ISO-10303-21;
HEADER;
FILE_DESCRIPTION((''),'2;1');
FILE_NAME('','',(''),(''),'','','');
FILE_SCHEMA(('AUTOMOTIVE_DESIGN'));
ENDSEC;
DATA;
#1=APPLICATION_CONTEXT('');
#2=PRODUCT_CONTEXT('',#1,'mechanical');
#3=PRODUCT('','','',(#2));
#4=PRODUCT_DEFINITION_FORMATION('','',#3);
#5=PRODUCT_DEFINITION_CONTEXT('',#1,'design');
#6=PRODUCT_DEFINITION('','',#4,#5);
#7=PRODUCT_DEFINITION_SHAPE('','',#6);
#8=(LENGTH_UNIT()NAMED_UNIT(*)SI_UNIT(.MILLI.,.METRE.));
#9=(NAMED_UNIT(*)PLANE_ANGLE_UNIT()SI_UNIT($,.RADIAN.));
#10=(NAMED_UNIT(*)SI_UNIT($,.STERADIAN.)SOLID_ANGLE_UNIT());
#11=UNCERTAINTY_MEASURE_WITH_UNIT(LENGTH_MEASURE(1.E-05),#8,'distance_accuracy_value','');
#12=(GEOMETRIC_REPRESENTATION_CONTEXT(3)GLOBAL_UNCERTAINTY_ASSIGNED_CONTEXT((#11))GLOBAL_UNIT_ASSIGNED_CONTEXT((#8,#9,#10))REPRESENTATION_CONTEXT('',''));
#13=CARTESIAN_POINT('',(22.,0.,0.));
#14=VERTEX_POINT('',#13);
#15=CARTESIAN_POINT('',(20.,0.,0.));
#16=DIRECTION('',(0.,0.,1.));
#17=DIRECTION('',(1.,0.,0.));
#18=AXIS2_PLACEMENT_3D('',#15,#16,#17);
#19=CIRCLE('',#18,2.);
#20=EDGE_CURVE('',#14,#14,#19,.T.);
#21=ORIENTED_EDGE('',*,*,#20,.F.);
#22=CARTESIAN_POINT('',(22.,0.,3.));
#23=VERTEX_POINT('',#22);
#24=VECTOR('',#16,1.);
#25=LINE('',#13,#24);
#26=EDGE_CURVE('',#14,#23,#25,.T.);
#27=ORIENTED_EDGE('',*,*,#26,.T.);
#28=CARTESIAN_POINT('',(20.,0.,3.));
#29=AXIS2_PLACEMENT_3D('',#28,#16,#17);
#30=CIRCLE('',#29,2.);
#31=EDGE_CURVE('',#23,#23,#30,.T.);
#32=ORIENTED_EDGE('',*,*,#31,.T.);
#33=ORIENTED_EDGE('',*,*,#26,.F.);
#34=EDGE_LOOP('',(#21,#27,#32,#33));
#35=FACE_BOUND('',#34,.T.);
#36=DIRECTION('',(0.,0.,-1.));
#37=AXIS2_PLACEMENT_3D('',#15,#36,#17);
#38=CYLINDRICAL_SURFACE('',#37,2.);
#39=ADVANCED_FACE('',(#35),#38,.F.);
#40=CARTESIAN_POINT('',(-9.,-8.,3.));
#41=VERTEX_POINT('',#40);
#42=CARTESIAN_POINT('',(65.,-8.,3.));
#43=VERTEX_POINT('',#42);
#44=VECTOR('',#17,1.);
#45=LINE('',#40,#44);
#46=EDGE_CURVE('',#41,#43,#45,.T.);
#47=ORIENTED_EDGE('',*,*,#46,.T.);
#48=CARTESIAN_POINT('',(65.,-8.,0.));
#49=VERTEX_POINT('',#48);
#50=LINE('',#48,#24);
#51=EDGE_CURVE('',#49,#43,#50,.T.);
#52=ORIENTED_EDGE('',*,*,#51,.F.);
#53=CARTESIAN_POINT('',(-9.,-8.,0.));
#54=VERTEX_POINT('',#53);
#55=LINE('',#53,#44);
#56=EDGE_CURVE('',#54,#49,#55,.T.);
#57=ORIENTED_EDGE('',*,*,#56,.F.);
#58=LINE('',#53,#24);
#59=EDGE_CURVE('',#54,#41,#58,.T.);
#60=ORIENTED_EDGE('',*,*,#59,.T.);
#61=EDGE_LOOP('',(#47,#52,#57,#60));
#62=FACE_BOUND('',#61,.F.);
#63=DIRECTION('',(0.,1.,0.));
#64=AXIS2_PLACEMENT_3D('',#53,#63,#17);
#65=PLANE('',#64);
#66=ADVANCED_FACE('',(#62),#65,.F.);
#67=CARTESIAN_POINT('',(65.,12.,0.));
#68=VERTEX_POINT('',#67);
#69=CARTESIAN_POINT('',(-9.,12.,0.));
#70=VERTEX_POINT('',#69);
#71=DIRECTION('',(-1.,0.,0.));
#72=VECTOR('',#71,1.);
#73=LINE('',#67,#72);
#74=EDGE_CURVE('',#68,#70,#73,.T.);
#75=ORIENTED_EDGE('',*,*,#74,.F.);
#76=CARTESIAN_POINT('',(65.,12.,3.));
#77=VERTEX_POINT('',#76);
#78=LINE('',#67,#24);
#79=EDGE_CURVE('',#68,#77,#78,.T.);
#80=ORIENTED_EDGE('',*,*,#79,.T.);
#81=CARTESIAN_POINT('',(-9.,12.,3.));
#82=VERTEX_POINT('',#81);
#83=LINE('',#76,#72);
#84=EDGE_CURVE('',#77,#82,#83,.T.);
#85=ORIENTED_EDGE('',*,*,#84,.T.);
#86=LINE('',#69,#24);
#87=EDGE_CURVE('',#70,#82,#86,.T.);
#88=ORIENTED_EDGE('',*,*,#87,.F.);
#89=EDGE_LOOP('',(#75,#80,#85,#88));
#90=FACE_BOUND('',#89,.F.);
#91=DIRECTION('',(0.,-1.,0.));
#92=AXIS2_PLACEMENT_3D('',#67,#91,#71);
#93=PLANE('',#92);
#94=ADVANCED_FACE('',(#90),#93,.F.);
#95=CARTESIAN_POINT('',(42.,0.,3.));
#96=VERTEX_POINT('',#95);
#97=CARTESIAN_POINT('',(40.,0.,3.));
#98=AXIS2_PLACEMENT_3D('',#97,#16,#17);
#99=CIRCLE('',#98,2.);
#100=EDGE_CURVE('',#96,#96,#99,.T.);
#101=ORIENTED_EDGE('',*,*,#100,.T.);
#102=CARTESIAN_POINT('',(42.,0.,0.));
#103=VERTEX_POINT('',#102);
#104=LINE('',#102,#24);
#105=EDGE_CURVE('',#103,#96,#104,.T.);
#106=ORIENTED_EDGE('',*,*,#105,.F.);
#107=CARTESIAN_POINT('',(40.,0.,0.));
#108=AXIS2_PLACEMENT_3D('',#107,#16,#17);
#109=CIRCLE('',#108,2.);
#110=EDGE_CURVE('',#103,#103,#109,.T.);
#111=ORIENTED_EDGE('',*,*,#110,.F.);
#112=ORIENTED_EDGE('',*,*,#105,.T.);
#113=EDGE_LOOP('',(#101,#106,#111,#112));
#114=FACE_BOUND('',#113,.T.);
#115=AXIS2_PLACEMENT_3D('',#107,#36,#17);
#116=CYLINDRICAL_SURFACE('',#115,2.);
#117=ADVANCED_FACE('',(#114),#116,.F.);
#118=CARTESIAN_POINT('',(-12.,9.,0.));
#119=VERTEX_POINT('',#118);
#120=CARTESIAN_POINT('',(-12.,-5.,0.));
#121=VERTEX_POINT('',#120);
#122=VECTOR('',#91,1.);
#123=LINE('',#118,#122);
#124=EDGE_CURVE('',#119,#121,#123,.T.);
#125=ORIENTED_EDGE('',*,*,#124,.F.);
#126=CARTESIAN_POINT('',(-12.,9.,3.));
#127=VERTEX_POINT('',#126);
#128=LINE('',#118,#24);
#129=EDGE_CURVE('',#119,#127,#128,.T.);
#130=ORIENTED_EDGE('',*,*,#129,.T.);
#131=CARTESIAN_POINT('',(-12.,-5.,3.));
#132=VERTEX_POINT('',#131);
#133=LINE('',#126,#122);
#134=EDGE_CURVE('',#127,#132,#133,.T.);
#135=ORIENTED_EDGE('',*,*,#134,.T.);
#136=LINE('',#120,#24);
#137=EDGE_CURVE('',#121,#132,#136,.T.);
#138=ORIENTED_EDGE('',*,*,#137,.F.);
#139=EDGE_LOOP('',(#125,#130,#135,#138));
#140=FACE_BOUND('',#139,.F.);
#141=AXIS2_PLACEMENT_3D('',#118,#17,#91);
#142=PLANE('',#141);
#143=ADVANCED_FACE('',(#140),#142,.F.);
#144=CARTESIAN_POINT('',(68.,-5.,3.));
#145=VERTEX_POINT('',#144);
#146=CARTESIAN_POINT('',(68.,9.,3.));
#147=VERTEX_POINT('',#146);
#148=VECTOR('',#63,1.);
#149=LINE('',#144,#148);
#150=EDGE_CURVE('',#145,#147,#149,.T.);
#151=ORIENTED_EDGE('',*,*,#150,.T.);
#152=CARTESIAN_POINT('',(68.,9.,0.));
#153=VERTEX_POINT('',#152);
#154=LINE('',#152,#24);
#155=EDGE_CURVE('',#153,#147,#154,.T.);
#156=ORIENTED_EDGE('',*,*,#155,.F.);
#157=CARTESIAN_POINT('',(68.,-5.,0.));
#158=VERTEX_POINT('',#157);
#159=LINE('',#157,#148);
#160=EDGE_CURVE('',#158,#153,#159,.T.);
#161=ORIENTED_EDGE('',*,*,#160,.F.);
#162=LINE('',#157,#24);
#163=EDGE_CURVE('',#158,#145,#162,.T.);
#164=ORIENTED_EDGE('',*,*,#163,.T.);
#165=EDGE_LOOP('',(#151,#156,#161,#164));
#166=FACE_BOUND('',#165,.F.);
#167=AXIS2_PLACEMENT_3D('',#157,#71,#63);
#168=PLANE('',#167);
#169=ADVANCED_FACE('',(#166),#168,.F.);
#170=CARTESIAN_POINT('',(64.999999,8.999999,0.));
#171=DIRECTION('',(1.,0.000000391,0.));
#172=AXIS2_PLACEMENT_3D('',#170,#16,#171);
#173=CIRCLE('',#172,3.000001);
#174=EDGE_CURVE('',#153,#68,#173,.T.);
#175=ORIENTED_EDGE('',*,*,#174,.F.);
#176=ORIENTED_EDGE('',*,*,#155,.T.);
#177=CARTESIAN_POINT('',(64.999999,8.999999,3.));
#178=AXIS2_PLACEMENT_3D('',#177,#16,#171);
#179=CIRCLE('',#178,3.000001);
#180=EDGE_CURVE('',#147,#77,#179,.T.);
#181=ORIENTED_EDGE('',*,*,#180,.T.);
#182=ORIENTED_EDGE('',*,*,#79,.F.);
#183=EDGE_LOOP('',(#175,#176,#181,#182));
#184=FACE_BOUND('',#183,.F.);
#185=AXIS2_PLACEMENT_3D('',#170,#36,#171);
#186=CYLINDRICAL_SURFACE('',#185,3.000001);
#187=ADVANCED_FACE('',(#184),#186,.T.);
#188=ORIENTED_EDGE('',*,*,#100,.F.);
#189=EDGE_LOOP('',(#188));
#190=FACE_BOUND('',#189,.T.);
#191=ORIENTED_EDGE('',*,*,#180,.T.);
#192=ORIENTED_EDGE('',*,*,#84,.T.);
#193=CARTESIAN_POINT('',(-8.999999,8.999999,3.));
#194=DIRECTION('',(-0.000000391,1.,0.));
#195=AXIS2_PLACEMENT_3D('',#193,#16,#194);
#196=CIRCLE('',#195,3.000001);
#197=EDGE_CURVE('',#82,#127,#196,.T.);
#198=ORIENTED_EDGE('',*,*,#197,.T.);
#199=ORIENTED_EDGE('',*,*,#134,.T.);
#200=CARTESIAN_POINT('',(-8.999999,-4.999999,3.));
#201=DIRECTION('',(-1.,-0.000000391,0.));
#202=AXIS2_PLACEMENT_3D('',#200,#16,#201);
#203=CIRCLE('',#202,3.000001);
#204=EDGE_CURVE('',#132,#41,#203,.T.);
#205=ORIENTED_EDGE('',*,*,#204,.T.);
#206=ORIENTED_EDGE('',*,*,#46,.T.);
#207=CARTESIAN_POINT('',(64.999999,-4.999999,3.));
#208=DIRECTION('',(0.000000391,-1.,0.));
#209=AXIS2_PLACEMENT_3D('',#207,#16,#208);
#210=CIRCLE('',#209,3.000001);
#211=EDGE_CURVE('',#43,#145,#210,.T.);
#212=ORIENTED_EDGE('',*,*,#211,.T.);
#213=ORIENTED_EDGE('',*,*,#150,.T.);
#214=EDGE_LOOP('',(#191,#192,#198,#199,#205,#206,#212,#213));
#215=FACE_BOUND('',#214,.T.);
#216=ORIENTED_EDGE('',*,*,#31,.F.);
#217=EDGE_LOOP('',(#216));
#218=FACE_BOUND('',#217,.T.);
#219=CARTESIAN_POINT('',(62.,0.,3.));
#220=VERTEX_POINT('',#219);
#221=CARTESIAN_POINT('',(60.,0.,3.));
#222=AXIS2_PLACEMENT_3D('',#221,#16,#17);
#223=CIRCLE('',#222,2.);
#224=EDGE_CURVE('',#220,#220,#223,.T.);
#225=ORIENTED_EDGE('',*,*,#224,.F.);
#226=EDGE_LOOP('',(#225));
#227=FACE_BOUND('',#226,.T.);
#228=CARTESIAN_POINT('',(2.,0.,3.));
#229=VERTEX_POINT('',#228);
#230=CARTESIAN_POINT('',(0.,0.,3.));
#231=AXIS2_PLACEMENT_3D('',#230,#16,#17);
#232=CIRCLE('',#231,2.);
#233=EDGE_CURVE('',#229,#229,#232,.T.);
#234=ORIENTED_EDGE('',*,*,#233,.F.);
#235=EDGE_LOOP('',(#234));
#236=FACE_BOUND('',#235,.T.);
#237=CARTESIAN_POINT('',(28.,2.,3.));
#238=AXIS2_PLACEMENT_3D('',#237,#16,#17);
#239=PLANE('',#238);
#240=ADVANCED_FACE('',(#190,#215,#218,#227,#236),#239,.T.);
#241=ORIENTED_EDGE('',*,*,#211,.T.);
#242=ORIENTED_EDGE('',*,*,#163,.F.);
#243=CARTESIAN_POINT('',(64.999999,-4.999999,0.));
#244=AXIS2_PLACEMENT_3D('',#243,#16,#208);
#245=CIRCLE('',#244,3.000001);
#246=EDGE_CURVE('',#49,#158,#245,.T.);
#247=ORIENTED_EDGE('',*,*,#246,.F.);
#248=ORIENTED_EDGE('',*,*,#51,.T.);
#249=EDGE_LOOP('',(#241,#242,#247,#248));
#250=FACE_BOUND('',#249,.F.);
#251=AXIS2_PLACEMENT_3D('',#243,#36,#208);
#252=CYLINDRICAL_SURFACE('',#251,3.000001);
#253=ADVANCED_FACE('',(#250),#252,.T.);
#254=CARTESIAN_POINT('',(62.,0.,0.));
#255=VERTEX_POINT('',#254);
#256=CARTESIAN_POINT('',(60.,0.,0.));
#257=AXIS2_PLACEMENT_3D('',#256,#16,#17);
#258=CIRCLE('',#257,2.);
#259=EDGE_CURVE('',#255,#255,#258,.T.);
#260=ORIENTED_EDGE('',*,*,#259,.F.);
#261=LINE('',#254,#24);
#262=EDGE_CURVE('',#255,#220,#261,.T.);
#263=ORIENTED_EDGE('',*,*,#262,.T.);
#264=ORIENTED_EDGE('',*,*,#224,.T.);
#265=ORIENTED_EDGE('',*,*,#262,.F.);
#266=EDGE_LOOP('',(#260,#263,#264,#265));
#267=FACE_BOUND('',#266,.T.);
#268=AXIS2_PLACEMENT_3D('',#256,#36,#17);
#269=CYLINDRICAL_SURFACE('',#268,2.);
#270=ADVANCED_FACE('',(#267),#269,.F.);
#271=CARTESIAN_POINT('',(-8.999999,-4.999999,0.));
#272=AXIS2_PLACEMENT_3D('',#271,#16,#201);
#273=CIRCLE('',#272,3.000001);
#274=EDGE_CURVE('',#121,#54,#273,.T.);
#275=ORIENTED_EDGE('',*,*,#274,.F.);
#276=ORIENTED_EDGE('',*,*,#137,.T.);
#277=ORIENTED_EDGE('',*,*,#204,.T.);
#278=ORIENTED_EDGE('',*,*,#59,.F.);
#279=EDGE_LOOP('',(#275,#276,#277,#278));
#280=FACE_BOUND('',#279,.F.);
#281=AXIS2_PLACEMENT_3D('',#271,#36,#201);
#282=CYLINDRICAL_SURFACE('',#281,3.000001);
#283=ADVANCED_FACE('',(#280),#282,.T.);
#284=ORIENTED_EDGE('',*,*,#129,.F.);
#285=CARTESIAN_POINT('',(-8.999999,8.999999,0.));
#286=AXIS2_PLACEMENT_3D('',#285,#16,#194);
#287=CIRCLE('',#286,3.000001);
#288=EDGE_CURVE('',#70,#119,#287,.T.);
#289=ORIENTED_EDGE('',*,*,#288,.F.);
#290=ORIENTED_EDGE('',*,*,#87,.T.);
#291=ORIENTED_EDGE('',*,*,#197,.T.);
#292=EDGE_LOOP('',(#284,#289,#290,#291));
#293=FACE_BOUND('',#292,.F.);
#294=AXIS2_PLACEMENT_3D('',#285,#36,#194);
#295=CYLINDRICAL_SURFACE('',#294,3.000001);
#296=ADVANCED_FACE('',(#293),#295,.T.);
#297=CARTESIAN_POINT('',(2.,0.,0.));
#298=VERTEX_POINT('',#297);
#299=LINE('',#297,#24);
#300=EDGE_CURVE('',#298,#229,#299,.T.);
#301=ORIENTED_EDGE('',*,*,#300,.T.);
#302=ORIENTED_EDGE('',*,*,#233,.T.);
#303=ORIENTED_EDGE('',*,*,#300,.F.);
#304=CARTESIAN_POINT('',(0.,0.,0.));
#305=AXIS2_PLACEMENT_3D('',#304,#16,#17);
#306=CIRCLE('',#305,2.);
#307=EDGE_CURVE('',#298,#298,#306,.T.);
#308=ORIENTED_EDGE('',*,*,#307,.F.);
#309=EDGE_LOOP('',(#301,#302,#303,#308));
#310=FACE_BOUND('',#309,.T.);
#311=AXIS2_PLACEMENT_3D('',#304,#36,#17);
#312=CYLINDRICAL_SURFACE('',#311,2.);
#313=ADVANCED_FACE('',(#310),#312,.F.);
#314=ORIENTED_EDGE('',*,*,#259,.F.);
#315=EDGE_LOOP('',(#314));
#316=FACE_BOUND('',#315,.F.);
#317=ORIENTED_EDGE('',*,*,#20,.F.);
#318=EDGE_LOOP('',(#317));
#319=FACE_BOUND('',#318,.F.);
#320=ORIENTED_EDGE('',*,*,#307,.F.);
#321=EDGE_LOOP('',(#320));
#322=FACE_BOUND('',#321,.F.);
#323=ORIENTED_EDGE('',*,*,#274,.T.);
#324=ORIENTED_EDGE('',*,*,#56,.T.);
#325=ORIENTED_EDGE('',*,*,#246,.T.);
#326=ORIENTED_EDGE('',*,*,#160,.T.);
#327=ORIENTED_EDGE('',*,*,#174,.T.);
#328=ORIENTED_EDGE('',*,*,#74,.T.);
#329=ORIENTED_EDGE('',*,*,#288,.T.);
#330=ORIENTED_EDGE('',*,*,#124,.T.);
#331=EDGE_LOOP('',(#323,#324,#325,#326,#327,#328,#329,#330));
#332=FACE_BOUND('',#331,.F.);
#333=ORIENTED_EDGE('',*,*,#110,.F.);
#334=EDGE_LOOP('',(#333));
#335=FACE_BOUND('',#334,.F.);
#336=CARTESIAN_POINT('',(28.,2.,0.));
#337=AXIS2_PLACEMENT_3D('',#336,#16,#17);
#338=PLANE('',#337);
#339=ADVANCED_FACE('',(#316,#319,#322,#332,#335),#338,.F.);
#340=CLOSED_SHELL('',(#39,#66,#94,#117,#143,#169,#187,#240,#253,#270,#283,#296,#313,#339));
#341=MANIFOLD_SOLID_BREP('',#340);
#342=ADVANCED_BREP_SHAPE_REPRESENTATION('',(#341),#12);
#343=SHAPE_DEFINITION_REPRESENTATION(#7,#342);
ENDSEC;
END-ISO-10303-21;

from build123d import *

# Parameters (mm, degrees)
F0_R     = 2
F1_DEPTH = 3


with BuildPart() as f1:
    # F0 (on Top) → F1 (new body)
    with BuildSketch(Plane.XY):
        with BuildLine():
            ThreePointArc((68, 9), (67.12132, 11.12132), (65, 12))
            Line((65, 12), (-9, 12))
            ThreePointArc((-9, 12), (-11.12132, 11.12132), (-12, 9))
            Line((-12, 9), (-12, -5))
            ThreePointArc((-12, -5), (-11.12132, -7.12132), (-9, -8))
            Line((-9, -8), (65, -8))
            ThreePointArc((65, -8), (67.12132, -7.12132), (68, -5))
            Line((68, -5), (68, 9))
        make_face()
        Circle(F0_R, mode=Mode.SUBTRACT)
        with Locations((20, 0)):
            Circle(F0_R, mode=Mode.SUBTRACT)
        with Locations((40, 0)):
            Circle(F0_R, mode=Mode.SUBTRACT)
        with Locations((60, 0)):
            Circle(F0_R, mode=Mode.SUBTRACT)
    extrude(amount=F1_DEPTH)


solid = f1.part
